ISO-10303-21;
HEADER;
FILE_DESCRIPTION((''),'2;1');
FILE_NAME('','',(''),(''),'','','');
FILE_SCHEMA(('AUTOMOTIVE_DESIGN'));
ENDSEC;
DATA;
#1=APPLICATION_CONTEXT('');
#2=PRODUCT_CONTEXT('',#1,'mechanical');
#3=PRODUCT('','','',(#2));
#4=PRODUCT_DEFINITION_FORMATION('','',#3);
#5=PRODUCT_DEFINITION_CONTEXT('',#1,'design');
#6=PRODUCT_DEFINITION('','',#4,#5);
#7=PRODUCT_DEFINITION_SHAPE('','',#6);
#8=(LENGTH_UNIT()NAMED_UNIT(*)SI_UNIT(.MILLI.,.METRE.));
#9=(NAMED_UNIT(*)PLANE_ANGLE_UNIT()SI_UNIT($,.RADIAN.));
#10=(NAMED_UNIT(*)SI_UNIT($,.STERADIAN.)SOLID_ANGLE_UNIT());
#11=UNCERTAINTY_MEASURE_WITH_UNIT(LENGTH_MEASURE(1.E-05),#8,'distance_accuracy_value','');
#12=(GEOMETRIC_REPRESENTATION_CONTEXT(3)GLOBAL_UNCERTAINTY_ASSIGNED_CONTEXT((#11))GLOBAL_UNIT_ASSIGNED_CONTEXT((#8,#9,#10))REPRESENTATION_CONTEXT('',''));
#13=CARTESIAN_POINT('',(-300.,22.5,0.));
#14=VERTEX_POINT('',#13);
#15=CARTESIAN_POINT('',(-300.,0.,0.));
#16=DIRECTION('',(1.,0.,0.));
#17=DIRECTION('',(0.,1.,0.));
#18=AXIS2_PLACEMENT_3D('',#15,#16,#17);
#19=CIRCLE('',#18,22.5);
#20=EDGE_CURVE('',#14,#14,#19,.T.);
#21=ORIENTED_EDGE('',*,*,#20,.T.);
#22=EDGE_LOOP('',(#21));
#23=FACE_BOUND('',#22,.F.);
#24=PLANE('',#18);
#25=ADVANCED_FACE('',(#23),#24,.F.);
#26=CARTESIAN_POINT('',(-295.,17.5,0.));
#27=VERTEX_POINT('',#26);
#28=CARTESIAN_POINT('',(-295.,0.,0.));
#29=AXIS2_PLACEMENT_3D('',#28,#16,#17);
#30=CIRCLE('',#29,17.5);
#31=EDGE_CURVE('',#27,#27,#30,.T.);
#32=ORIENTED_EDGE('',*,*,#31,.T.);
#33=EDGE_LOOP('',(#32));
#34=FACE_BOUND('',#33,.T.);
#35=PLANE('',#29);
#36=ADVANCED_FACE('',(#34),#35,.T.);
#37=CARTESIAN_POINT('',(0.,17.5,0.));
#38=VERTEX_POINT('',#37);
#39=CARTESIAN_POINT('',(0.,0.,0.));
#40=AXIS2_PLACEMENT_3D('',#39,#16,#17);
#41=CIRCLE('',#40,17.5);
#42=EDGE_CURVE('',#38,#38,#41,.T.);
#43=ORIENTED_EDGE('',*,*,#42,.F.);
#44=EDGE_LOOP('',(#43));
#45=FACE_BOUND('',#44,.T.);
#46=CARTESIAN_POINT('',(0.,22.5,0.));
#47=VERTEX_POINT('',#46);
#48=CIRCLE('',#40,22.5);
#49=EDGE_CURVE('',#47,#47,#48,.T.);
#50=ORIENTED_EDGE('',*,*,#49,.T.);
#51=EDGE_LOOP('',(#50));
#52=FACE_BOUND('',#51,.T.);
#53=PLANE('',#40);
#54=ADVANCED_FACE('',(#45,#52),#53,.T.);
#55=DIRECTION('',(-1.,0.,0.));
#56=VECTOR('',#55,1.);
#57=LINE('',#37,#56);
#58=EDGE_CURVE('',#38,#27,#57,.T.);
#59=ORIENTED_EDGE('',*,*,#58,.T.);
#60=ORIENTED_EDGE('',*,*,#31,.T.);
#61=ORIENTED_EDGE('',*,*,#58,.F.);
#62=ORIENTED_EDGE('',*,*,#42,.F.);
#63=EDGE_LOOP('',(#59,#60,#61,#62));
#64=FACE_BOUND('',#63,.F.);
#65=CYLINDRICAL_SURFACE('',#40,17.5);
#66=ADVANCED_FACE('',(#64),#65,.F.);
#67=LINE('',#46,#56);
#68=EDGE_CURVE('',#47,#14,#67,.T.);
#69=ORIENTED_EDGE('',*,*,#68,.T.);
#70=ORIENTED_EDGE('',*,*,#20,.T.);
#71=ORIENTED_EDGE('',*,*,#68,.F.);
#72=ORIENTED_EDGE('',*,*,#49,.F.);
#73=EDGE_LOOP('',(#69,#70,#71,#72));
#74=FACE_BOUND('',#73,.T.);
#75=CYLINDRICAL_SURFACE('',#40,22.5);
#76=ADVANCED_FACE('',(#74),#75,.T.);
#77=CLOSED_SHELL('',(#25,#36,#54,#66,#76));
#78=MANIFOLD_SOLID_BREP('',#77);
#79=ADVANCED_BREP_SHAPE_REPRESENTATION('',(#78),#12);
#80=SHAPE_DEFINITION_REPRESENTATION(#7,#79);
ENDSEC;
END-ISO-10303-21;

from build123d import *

# Parameters (mm, degrees)
F0_R     = 22.5
F1_DEPTH = 300
F2_T     = -5


with BuildPart() as f1:
    # F0 (on Right) → F1 (new body)
    with BuildSketch(Plane.YZ):
        Circle(F0_R)
    extrude(amount=-F1_DEPTH)

    # F2
    f2_openings = [f1.faces().sort_by_distance(p)[0] for p in [
        (0, 0, 0),
    ]]
    offset(amount=F2_T, openings=f2_openings)


solid = f1.part
